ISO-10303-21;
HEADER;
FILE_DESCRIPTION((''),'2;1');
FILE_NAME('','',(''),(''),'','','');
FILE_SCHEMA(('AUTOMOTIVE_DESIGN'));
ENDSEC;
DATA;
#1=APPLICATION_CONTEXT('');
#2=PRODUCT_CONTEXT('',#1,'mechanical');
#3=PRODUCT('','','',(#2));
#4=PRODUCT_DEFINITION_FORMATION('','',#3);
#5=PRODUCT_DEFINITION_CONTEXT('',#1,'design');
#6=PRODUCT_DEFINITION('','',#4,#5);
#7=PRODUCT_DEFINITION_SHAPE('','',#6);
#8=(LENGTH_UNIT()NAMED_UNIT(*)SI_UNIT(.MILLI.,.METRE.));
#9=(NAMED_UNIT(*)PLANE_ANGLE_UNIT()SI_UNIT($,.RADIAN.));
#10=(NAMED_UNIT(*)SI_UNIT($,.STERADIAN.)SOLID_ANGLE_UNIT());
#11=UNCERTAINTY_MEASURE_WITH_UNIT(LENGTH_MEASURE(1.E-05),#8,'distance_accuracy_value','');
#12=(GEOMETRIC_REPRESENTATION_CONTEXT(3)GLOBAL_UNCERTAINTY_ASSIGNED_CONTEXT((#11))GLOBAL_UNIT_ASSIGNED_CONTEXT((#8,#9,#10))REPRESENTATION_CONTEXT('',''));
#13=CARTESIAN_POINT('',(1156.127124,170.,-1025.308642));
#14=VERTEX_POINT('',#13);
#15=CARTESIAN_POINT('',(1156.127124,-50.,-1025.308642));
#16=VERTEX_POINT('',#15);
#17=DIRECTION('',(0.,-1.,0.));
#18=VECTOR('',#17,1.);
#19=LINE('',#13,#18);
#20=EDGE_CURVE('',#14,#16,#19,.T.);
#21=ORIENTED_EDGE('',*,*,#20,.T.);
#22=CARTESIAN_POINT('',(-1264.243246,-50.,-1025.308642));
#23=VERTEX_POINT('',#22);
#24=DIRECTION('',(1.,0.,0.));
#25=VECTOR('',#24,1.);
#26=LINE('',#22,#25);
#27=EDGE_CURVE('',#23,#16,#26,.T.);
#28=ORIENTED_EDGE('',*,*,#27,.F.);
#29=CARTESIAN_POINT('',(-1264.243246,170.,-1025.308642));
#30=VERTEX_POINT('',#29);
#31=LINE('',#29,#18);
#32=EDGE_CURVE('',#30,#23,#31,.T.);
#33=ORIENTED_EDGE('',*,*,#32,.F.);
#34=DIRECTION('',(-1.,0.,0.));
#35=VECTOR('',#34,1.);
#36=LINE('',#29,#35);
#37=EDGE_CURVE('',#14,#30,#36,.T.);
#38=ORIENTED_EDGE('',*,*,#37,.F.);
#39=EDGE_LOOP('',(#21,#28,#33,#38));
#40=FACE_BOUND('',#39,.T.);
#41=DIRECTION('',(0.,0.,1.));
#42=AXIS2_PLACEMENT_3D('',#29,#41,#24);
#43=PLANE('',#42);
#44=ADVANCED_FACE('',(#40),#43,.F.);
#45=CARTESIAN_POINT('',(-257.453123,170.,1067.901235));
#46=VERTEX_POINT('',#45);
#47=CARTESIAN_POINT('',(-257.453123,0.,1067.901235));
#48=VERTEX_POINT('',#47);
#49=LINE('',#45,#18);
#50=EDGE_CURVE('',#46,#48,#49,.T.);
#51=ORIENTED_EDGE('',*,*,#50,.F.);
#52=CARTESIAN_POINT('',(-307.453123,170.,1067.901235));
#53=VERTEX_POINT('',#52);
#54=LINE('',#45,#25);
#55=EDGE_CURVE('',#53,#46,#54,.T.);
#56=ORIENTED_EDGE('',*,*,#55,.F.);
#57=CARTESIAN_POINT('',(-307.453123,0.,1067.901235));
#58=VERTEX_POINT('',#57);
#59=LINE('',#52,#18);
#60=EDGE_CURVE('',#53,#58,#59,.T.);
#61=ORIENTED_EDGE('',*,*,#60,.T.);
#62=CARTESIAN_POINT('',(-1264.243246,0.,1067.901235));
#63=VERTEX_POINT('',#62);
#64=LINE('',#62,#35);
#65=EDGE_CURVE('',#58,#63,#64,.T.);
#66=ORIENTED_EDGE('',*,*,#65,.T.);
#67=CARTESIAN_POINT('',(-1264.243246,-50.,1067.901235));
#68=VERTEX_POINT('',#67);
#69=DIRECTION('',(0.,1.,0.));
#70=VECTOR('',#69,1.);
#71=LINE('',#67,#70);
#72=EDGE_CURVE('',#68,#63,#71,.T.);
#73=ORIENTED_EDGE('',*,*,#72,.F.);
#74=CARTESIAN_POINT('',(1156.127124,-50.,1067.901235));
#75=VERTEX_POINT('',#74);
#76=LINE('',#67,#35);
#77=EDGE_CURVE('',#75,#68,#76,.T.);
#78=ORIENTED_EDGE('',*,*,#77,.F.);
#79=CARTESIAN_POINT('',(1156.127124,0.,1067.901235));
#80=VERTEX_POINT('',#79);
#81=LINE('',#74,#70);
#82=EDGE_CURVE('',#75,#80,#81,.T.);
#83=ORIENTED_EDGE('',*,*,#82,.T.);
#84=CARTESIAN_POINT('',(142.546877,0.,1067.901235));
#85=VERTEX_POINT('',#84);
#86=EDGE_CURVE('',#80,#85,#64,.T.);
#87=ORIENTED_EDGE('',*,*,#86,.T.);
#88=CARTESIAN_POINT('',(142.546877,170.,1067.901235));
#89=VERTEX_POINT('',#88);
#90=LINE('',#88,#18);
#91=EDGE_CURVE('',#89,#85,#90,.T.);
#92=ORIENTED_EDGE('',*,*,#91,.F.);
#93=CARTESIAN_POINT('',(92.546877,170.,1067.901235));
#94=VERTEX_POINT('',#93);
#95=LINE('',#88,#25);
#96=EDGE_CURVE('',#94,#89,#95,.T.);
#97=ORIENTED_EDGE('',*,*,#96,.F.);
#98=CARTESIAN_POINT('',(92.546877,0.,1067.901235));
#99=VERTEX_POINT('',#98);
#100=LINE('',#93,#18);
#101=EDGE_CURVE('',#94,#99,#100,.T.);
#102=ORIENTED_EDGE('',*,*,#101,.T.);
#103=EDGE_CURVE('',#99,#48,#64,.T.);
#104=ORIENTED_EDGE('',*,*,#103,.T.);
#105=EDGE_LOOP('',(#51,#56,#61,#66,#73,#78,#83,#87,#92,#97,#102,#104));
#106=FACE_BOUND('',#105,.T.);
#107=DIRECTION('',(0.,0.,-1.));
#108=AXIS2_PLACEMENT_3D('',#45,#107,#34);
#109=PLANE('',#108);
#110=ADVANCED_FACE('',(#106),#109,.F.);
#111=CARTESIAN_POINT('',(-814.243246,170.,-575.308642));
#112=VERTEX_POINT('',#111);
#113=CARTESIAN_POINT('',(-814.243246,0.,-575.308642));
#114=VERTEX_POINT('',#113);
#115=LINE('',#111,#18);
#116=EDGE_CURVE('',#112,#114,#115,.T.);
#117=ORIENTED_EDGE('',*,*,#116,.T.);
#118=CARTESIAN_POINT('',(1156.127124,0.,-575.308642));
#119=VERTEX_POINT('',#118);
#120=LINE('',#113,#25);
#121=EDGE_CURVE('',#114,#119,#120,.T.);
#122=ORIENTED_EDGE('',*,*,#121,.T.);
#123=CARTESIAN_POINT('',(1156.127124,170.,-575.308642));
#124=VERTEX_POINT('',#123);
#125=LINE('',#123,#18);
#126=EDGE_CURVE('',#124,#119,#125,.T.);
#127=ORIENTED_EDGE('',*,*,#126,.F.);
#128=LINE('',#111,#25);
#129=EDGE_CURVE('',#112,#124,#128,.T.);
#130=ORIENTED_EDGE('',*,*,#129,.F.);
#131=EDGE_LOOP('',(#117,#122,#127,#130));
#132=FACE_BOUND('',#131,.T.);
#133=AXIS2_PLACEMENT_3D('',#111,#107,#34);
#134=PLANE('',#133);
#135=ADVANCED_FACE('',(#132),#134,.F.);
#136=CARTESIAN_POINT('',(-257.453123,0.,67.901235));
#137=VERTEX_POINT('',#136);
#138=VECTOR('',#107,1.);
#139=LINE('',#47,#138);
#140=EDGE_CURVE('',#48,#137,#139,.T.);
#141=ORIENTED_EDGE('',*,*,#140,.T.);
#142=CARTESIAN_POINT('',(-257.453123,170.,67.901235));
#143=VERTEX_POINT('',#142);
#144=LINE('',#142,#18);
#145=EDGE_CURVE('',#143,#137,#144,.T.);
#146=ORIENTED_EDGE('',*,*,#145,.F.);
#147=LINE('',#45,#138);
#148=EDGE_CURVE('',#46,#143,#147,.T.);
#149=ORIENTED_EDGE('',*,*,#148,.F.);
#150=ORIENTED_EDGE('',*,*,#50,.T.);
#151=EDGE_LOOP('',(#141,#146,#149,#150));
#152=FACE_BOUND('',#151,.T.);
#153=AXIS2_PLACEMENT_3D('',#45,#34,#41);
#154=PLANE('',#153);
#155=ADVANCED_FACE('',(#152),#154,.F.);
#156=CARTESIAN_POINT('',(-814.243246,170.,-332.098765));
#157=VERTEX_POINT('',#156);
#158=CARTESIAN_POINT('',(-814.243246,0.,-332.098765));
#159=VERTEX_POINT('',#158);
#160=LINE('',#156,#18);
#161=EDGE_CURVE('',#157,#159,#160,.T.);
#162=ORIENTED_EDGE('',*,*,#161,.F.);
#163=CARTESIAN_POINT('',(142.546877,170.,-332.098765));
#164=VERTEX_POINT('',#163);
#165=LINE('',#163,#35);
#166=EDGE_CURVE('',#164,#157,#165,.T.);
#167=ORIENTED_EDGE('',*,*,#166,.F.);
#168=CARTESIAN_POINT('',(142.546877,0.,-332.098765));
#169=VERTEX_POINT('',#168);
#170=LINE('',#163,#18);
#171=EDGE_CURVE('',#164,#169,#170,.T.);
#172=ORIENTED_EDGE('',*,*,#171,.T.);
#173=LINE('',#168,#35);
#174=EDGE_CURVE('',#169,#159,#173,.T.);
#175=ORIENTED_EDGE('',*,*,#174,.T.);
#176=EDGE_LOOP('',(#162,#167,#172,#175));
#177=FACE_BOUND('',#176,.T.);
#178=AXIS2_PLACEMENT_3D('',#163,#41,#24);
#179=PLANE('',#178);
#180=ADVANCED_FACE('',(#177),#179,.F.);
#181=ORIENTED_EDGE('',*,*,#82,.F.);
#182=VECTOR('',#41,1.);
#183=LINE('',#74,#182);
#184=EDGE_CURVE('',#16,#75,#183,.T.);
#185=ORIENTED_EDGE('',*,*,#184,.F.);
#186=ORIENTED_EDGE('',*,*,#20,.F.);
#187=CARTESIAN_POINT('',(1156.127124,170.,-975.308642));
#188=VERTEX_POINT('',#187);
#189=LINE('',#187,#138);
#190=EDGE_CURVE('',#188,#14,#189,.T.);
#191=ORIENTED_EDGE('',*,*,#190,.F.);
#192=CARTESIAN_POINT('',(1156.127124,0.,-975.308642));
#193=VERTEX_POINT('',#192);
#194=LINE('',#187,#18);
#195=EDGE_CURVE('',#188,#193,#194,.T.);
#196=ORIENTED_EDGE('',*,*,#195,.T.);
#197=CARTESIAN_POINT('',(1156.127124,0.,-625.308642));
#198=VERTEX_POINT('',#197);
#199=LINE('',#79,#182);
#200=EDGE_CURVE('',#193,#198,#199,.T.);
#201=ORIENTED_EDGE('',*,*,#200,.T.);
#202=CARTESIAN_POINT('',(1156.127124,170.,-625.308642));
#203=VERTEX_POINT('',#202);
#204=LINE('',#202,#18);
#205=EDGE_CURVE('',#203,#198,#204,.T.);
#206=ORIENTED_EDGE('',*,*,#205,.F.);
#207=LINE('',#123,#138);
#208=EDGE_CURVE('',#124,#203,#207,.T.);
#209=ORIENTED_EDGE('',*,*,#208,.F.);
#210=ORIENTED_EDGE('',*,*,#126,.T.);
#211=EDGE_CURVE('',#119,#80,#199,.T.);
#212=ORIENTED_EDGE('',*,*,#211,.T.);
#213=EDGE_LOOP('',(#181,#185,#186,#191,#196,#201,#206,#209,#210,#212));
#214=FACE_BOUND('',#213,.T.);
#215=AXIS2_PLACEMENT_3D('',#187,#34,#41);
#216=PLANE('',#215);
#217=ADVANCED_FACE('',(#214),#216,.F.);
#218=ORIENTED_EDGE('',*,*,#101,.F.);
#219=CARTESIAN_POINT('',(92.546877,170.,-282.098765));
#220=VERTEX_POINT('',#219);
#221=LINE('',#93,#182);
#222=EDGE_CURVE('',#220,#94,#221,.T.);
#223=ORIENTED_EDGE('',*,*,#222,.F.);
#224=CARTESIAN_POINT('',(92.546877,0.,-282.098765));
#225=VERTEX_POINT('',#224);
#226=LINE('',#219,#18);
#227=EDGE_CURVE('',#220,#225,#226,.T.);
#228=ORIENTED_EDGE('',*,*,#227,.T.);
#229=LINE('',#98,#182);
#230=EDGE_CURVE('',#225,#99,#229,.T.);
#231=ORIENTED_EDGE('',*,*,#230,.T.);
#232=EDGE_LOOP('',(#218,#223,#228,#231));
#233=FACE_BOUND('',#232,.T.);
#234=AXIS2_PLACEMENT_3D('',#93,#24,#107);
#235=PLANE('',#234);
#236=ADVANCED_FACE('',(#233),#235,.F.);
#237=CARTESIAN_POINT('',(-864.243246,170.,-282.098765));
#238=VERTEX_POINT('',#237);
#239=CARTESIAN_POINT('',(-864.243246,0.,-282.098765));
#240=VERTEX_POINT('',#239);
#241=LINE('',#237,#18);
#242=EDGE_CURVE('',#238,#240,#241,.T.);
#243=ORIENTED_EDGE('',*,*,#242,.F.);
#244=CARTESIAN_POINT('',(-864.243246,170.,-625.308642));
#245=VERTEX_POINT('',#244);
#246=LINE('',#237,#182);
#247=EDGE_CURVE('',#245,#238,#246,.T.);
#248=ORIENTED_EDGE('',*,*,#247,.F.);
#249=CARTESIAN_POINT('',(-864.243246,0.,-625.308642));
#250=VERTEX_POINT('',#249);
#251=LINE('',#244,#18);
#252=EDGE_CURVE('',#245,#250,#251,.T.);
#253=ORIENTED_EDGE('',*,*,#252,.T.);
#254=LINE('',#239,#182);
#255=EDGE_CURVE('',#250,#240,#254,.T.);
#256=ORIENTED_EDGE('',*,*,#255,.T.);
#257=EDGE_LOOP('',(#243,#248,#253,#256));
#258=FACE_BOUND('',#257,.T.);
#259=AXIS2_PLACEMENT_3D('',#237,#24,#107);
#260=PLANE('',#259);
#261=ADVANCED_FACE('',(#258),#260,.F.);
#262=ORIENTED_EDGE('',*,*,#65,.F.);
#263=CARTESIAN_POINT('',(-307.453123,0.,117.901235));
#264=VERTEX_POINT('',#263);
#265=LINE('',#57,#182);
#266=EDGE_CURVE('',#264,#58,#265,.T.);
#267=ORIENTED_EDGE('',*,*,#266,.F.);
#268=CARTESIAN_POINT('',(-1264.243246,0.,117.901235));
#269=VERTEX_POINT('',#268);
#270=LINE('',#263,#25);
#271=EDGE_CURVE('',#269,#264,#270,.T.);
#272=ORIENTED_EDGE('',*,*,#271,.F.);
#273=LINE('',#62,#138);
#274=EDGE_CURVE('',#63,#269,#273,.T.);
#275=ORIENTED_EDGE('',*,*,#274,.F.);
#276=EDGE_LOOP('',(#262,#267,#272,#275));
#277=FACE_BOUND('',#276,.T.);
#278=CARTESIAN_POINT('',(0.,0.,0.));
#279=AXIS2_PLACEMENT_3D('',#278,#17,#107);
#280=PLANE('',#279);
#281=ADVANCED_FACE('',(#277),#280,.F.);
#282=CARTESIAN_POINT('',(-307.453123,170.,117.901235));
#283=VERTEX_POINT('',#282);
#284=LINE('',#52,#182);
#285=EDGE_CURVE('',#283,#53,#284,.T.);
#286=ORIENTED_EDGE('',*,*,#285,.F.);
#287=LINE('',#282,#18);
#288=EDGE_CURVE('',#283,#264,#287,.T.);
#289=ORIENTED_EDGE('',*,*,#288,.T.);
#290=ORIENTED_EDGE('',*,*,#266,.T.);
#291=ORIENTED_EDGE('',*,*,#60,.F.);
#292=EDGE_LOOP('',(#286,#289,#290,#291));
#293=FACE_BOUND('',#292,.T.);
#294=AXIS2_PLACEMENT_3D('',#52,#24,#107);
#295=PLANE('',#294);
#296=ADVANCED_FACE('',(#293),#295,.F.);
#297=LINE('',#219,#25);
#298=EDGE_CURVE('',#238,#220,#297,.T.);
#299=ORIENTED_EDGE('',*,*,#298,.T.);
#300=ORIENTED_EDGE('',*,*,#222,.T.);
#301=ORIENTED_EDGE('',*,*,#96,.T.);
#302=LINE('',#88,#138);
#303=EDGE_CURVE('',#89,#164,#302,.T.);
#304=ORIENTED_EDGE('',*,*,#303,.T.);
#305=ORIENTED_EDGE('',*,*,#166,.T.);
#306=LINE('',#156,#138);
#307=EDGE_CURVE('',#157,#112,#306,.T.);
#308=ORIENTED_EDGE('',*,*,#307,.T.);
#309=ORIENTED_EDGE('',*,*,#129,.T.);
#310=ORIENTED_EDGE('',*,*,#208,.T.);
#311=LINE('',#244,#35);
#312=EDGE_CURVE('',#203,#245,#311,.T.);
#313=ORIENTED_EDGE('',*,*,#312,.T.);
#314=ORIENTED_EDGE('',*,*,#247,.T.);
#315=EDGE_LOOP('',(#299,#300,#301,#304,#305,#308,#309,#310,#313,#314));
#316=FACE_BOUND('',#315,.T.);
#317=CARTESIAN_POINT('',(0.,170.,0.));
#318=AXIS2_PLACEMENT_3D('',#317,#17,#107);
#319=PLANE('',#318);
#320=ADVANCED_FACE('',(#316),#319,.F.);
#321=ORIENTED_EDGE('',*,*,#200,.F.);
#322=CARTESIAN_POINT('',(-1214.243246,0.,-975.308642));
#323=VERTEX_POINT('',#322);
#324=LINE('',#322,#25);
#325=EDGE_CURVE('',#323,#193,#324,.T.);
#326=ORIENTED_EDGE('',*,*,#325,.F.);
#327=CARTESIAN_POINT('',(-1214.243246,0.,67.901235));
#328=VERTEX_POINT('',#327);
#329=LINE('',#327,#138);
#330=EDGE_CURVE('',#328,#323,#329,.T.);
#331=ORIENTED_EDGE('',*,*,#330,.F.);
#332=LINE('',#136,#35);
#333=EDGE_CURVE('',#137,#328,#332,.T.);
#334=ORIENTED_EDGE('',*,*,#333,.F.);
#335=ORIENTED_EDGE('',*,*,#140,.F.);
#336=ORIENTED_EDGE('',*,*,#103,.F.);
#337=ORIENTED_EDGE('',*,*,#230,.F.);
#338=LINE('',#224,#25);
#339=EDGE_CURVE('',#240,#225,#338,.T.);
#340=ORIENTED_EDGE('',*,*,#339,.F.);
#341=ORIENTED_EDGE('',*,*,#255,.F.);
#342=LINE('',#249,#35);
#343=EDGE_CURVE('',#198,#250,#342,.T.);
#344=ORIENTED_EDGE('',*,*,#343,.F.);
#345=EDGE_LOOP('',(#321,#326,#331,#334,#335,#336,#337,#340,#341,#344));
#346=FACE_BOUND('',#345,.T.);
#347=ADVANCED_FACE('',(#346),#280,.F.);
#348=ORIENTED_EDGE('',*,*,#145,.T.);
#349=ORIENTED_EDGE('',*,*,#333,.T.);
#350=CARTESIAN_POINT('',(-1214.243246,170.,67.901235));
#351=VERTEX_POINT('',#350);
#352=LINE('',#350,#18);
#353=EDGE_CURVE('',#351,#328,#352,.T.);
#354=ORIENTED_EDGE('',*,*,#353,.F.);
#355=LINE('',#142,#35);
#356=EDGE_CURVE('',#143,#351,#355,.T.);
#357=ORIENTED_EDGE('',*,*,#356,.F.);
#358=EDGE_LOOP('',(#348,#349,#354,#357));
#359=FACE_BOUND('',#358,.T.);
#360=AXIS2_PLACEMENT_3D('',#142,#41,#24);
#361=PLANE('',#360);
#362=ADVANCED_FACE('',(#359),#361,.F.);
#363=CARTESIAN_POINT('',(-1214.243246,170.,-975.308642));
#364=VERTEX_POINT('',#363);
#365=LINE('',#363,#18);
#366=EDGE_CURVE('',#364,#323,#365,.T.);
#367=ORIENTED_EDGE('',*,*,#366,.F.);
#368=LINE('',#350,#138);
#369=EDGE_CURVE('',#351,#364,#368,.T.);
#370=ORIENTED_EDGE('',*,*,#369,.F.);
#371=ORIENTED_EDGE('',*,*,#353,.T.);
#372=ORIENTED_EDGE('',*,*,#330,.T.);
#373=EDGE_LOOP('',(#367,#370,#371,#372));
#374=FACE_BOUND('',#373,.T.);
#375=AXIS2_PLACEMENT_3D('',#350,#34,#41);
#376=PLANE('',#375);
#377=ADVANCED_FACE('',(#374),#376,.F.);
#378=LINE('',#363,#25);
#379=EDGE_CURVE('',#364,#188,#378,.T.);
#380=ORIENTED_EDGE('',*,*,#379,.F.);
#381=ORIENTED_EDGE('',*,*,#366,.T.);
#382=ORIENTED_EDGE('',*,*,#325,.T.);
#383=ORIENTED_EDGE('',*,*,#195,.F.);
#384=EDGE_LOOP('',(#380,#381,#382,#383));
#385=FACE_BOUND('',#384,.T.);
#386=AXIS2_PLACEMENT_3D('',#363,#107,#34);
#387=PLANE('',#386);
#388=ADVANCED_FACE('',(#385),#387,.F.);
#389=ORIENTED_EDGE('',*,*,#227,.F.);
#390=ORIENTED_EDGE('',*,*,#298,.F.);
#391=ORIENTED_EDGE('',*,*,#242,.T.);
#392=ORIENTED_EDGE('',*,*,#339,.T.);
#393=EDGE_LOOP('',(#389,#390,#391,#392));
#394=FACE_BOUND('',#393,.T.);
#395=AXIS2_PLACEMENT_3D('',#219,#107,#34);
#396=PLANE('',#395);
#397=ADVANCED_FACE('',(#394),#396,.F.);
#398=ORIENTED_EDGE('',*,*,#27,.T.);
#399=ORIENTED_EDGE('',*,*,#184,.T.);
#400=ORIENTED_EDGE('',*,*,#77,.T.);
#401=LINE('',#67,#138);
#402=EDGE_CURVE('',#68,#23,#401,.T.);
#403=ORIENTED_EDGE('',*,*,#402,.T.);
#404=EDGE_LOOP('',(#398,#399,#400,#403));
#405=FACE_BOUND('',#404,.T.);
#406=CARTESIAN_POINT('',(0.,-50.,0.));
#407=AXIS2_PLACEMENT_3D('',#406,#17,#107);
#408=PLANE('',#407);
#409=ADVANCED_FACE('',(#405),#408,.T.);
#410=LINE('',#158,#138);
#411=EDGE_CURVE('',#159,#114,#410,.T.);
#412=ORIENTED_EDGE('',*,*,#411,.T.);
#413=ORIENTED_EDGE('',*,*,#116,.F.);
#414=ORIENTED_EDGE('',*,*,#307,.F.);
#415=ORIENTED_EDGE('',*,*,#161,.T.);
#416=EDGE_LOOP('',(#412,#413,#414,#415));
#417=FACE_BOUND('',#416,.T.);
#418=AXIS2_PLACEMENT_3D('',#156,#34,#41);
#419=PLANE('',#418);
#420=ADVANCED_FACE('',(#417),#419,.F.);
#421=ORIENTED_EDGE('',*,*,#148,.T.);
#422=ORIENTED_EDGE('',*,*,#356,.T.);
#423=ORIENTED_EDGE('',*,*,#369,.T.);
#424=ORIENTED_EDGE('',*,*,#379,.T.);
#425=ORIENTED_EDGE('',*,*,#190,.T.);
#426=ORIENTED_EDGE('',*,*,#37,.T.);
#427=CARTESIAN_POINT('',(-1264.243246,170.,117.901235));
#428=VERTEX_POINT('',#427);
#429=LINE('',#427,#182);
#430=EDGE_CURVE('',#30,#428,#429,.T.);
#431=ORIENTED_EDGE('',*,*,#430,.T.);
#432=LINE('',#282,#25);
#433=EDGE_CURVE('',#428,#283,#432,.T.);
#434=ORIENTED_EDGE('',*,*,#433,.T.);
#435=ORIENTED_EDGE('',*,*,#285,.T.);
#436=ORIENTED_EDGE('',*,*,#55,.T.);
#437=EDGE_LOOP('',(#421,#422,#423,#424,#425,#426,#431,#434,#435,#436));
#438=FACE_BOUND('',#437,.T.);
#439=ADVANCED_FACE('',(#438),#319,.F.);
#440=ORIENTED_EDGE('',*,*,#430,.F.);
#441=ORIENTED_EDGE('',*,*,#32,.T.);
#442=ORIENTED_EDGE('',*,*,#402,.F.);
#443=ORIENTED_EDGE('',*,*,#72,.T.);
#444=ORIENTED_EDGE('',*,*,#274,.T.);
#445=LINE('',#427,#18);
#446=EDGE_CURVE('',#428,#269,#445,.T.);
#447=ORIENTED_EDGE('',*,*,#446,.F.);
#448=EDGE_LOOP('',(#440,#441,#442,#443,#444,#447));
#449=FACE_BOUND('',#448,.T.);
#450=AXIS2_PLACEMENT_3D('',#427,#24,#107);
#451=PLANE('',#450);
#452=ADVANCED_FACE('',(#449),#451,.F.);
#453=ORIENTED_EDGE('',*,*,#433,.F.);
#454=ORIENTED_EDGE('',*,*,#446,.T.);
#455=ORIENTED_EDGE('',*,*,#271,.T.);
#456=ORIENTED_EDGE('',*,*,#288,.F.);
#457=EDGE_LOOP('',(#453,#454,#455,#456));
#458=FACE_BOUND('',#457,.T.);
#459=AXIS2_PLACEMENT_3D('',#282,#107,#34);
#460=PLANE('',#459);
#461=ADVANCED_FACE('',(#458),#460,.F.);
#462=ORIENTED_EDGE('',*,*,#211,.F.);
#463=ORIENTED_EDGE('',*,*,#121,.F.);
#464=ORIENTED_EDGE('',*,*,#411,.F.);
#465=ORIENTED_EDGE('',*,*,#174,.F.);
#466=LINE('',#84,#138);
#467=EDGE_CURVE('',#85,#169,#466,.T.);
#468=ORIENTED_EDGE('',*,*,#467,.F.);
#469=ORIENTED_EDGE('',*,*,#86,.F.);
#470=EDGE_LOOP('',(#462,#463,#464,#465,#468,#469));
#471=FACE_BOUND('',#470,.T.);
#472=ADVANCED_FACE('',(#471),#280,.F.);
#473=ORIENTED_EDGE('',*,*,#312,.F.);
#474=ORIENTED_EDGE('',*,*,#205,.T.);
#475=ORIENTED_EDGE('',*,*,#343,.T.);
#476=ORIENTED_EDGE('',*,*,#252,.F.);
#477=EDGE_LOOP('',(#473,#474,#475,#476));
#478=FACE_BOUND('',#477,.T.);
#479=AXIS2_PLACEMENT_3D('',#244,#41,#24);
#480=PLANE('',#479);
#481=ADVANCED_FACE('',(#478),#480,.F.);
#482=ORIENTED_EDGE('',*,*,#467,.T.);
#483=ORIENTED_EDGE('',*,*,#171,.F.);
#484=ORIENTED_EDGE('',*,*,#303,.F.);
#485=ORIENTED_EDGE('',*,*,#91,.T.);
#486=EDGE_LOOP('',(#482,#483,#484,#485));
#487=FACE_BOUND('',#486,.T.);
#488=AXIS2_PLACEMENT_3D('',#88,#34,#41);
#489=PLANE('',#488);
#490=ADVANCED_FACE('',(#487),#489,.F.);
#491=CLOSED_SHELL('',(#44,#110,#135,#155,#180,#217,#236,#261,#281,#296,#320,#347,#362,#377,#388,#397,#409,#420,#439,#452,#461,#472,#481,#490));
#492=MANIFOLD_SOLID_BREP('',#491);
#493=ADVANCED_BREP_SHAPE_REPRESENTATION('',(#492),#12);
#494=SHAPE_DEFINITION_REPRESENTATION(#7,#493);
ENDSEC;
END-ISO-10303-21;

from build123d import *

# Parameters (mm, degrees)
BOSS_EXTRUDE1_DEPTH   = 170
BOSS_EXTRUDE1_2_DEPTH = 170
SKETCH2_W             = 2420.37037037
SKETCH2_H             = 2093.209876543
BOSS_EXTRUDE2_DEPTH   = 50


with BuildPart() as part:
    # Sketch1 → Boss-Extrude1 (new body)
    with BuildSketch(Plane(origin=(0, 0, 0), x_dir=(1, 0, 0), z_dir=(0, 1, 0))):
        Polygon((-257.453122603, -1067.901234568), (-257.453122603, -67.901234568), (-1214.243246059, -67.901234568), (-1214.243246059, 975.308641975), (1156.127124311, 975.308641975), (1156.127124311, 1025.308641975), (-1264.243246059, 1025.308641975), (-1264.243246059, -117.901234568), (-307.453122603, -117.901234568), (-307.453122603, -1067.901234568), align=None)
    extrude(amount=BOSS_EXTRUDE1_DEPTH)



with BuildPart() as body_2:
    # Sketch1 → Boss-Extrude1 2 (new body)
    with BuildSketch(Plane(origin=(0, 0, 0), x_dir=(1, 0, 0), z_dir=(0, 1, 0))):
        Polygon((92.546877397, -1067.901234568), (92.546877397, 282.098765432), (-864.243246059, 282.098765432), (-864.243246059, 625.308641975), (1156.127124311, 625.308641975), (1156.127124311, 575.308641975), (-814.243246059, 575.308641975), (-814.243246059, 332.098765432), (142.546877397, 332.098765432), (142.546877397, -1067.901234568), align=None)
    extrude(amount=BOSS_EXTRUDE1_2_DEPTH)


with BuildPart() as part_1:
    add(part.part)

    add(body_2.part)  # Boss-Extrude2 merges body 2
    # Sketch2 → Boss-Extrude2 (add)
    with BuildSketch(Plane.XZ):
        with Locations((-54.058060874, 21.296296297)):
            Rectangle(SKETCH2_W, SKETCH2_H)
    extrude(amount=BOSS_EXTRUDE2_DEPTH)


solid = part_1.part
